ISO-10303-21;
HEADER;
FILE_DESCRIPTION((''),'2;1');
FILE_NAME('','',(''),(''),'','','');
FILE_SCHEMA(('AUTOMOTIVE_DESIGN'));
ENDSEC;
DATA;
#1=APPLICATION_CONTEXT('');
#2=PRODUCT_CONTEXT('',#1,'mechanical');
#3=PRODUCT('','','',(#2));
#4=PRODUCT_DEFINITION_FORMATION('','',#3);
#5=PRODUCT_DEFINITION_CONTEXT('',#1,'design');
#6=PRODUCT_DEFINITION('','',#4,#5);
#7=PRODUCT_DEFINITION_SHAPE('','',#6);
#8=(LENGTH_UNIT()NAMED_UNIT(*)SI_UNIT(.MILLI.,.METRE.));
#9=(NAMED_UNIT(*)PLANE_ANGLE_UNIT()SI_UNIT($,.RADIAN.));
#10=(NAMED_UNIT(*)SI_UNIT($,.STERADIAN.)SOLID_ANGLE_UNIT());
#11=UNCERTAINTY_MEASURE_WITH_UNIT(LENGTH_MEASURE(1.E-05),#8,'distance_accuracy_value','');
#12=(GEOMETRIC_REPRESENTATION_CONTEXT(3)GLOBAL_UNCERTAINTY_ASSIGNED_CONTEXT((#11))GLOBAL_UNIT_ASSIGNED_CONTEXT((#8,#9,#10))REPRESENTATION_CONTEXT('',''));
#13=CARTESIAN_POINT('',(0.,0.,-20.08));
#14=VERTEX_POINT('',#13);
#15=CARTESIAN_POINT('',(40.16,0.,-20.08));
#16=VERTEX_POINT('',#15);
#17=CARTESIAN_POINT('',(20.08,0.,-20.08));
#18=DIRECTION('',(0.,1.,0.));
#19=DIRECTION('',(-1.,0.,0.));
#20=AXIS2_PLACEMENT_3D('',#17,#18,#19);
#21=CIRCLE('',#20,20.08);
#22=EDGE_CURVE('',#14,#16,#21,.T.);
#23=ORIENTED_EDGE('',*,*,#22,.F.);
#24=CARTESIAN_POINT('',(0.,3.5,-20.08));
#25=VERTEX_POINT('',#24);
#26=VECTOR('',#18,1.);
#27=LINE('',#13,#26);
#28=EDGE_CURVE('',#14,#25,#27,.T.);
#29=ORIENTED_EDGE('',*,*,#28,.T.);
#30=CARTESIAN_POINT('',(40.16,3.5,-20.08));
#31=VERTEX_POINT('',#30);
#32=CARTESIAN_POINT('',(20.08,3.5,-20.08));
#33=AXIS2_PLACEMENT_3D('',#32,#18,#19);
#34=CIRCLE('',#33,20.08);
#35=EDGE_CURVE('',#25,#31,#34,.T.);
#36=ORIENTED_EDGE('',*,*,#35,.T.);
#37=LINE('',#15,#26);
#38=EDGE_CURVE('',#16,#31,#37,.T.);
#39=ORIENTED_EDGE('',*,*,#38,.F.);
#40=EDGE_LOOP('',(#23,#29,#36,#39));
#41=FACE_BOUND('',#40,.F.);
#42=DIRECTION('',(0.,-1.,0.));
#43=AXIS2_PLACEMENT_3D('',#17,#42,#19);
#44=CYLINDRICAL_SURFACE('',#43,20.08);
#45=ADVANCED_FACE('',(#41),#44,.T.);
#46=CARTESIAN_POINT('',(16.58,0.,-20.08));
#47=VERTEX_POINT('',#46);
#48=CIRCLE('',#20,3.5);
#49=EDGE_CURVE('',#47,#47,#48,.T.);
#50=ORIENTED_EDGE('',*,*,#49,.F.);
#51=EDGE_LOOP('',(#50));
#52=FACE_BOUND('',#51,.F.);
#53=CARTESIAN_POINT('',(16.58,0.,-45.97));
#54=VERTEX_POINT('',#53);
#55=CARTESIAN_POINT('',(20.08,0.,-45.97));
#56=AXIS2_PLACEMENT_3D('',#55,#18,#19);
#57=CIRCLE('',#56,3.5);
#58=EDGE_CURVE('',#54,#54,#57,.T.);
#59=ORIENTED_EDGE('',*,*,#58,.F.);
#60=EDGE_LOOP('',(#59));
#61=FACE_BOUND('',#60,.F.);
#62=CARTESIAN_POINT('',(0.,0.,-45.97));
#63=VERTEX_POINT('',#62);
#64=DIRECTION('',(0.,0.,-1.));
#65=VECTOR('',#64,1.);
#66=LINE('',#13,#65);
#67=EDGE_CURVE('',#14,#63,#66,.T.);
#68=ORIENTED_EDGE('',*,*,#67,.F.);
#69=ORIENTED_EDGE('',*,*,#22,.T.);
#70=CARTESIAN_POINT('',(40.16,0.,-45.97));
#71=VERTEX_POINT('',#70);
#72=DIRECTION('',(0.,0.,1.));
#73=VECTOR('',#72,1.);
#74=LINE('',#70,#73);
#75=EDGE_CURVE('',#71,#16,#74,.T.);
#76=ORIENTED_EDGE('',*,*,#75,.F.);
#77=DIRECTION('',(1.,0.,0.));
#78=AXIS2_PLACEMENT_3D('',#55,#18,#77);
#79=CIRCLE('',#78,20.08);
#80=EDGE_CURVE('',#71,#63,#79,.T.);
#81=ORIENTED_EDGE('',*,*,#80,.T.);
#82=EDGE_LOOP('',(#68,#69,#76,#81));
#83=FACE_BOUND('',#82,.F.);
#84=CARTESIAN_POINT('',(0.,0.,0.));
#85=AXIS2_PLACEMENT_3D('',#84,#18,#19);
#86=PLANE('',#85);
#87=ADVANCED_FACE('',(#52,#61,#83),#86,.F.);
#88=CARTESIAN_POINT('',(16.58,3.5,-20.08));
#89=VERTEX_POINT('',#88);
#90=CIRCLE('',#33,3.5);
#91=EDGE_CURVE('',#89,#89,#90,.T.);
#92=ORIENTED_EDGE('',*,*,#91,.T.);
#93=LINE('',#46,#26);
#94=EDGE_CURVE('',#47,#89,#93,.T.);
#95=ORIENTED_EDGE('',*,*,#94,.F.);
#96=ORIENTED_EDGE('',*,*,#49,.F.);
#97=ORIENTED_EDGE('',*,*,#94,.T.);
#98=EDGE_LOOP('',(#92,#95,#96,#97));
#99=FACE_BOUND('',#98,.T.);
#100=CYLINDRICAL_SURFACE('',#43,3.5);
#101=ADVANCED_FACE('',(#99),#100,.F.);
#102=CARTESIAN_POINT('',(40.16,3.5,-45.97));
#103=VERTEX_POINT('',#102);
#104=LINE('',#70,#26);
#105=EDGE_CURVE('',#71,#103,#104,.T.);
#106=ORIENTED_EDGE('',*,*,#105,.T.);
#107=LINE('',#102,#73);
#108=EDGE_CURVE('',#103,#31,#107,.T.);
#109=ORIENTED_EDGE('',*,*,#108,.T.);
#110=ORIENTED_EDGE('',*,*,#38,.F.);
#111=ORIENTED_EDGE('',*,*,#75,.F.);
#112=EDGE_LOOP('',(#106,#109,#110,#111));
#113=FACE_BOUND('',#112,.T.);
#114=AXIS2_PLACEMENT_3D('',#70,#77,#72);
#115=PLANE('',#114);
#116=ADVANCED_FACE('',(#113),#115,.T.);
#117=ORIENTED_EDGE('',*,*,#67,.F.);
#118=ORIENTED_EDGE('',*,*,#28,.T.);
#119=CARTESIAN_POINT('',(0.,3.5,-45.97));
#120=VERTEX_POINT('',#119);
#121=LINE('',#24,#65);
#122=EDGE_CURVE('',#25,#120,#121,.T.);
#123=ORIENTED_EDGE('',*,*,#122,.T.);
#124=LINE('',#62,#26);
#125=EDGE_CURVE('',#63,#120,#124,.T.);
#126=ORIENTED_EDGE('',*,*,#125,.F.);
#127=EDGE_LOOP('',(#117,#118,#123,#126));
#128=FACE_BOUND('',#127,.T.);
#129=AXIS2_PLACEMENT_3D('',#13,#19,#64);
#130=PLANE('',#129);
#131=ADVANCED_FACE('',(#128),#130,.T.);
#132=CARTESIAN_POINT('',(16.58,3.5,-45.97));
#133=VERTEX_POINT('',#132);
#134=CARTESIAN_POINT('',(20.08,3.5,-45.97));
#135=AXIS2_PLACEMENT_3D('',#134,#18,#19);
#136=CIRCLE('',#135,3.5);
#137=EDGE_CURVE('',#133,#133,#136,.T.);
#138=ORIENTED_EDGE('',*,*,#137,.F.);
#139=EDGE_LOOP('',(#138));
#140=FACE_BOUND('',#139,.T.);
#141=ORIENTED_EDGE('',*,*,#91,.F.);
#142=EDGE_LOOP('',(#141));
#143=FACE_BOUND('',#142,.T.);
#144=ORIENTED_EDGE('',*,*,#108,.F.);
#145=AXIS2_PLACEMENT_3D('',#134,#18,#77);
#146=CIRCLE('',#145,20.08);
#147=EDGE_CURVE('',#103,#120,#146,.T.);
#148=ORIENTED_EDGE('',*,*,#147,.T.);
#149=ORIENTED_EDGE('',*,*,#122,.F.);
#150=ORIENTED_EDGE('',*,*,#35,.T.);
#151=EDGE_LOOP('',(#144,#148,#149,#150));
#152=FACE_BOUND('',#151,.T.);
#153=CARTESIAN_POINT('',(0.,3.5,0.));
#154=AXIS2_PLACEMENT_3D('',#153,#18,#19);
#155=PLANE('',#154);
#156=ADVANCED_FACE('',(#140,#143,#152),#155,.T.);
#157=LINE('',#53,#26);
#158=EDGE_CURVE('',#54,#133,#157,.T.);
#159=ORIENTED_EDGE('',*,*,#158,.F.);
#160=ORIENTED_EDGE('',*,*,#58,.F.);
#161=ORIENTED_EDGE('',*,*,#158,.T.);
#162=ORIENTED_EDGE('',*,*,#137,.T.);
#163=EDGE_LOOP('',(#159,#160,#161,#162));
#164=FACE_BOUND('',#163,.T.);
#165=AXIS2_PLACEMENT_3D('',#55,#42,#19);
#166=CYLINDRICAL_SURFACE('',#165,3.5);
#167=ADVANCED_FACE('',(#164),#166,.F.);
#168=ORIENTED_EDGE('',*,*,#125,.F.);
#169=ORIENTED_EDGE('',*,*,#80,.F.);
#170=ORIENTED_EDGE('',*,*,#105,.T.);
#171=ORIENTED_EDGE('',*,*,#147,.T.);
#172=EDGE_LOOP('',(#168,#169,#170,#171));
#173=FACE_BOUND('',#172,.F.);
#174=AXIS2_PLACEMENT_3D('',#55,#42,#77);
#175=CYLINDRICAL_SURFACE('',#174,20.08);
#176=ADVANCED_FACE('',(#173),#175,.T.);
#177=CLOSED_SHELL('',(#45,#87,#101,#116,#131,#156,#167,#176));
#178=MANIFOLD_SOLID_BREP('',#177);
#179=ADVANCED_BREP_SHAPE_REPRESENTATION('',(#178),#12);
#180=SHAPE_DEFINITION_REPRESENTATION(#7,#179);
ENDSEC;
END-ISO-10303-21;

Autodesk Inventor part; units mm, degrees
ref_plane "YZ Plane" through (0, 0, 0) normal (1, 0, 0) x (0, 1, 0)
ref_plane "XZ Plane" through (0, 0, 0) normal (0, 1, 0) x (-1, 0, 0)
ref_plane "XY Plane" through (0, 0, 0) normal (0, 0, 1) x (1, 0, 0)
sketch "Sketch1" plane through (0, 0, 0) normal (0, 1, 0) x (-1, 0, 0)
  line L0 (0, 0) -> (-40.16, 0) construction
  line L1 (-40.16, 0) -> (-40.16, -66.05) construction
  line L2 (-40.16, -66.05) -> (0, -66.05) construction
  line L3 (0, -66.05) -> (0, 0) construction
  circle A0 centre (-20.08, -20.08) radius 20.08 construction
  circle A1 centre (-20.08, -45.97) radius 20.08 construction
  arc A2 (0, -20.08) -> (-40.16, -20.08) centre (-20.08, -20.08) ccw
  arc A3 (-40.16, -45.97) -> (0, -45.97) centre (-20.08, -45.97) ccw
  line L4 (0, -20.08) -> (0, -45.97)
  line L5 (-40.16, -45.97) -> (-40.16, -20.08)
  circle A4 centre (-20.08, -45.97) radius 3.5
  circle A5 centre (-20.08, -20.08) radius 3.5
  dimension "d0" = 40.16
  dimension "d1" = 66.05
  dimension "d2" = 7
  dimension "d3" = 7
extrude "Extrusion1" add sketch "Sketch1" along normal blind 3.5
properties part number "circle"
